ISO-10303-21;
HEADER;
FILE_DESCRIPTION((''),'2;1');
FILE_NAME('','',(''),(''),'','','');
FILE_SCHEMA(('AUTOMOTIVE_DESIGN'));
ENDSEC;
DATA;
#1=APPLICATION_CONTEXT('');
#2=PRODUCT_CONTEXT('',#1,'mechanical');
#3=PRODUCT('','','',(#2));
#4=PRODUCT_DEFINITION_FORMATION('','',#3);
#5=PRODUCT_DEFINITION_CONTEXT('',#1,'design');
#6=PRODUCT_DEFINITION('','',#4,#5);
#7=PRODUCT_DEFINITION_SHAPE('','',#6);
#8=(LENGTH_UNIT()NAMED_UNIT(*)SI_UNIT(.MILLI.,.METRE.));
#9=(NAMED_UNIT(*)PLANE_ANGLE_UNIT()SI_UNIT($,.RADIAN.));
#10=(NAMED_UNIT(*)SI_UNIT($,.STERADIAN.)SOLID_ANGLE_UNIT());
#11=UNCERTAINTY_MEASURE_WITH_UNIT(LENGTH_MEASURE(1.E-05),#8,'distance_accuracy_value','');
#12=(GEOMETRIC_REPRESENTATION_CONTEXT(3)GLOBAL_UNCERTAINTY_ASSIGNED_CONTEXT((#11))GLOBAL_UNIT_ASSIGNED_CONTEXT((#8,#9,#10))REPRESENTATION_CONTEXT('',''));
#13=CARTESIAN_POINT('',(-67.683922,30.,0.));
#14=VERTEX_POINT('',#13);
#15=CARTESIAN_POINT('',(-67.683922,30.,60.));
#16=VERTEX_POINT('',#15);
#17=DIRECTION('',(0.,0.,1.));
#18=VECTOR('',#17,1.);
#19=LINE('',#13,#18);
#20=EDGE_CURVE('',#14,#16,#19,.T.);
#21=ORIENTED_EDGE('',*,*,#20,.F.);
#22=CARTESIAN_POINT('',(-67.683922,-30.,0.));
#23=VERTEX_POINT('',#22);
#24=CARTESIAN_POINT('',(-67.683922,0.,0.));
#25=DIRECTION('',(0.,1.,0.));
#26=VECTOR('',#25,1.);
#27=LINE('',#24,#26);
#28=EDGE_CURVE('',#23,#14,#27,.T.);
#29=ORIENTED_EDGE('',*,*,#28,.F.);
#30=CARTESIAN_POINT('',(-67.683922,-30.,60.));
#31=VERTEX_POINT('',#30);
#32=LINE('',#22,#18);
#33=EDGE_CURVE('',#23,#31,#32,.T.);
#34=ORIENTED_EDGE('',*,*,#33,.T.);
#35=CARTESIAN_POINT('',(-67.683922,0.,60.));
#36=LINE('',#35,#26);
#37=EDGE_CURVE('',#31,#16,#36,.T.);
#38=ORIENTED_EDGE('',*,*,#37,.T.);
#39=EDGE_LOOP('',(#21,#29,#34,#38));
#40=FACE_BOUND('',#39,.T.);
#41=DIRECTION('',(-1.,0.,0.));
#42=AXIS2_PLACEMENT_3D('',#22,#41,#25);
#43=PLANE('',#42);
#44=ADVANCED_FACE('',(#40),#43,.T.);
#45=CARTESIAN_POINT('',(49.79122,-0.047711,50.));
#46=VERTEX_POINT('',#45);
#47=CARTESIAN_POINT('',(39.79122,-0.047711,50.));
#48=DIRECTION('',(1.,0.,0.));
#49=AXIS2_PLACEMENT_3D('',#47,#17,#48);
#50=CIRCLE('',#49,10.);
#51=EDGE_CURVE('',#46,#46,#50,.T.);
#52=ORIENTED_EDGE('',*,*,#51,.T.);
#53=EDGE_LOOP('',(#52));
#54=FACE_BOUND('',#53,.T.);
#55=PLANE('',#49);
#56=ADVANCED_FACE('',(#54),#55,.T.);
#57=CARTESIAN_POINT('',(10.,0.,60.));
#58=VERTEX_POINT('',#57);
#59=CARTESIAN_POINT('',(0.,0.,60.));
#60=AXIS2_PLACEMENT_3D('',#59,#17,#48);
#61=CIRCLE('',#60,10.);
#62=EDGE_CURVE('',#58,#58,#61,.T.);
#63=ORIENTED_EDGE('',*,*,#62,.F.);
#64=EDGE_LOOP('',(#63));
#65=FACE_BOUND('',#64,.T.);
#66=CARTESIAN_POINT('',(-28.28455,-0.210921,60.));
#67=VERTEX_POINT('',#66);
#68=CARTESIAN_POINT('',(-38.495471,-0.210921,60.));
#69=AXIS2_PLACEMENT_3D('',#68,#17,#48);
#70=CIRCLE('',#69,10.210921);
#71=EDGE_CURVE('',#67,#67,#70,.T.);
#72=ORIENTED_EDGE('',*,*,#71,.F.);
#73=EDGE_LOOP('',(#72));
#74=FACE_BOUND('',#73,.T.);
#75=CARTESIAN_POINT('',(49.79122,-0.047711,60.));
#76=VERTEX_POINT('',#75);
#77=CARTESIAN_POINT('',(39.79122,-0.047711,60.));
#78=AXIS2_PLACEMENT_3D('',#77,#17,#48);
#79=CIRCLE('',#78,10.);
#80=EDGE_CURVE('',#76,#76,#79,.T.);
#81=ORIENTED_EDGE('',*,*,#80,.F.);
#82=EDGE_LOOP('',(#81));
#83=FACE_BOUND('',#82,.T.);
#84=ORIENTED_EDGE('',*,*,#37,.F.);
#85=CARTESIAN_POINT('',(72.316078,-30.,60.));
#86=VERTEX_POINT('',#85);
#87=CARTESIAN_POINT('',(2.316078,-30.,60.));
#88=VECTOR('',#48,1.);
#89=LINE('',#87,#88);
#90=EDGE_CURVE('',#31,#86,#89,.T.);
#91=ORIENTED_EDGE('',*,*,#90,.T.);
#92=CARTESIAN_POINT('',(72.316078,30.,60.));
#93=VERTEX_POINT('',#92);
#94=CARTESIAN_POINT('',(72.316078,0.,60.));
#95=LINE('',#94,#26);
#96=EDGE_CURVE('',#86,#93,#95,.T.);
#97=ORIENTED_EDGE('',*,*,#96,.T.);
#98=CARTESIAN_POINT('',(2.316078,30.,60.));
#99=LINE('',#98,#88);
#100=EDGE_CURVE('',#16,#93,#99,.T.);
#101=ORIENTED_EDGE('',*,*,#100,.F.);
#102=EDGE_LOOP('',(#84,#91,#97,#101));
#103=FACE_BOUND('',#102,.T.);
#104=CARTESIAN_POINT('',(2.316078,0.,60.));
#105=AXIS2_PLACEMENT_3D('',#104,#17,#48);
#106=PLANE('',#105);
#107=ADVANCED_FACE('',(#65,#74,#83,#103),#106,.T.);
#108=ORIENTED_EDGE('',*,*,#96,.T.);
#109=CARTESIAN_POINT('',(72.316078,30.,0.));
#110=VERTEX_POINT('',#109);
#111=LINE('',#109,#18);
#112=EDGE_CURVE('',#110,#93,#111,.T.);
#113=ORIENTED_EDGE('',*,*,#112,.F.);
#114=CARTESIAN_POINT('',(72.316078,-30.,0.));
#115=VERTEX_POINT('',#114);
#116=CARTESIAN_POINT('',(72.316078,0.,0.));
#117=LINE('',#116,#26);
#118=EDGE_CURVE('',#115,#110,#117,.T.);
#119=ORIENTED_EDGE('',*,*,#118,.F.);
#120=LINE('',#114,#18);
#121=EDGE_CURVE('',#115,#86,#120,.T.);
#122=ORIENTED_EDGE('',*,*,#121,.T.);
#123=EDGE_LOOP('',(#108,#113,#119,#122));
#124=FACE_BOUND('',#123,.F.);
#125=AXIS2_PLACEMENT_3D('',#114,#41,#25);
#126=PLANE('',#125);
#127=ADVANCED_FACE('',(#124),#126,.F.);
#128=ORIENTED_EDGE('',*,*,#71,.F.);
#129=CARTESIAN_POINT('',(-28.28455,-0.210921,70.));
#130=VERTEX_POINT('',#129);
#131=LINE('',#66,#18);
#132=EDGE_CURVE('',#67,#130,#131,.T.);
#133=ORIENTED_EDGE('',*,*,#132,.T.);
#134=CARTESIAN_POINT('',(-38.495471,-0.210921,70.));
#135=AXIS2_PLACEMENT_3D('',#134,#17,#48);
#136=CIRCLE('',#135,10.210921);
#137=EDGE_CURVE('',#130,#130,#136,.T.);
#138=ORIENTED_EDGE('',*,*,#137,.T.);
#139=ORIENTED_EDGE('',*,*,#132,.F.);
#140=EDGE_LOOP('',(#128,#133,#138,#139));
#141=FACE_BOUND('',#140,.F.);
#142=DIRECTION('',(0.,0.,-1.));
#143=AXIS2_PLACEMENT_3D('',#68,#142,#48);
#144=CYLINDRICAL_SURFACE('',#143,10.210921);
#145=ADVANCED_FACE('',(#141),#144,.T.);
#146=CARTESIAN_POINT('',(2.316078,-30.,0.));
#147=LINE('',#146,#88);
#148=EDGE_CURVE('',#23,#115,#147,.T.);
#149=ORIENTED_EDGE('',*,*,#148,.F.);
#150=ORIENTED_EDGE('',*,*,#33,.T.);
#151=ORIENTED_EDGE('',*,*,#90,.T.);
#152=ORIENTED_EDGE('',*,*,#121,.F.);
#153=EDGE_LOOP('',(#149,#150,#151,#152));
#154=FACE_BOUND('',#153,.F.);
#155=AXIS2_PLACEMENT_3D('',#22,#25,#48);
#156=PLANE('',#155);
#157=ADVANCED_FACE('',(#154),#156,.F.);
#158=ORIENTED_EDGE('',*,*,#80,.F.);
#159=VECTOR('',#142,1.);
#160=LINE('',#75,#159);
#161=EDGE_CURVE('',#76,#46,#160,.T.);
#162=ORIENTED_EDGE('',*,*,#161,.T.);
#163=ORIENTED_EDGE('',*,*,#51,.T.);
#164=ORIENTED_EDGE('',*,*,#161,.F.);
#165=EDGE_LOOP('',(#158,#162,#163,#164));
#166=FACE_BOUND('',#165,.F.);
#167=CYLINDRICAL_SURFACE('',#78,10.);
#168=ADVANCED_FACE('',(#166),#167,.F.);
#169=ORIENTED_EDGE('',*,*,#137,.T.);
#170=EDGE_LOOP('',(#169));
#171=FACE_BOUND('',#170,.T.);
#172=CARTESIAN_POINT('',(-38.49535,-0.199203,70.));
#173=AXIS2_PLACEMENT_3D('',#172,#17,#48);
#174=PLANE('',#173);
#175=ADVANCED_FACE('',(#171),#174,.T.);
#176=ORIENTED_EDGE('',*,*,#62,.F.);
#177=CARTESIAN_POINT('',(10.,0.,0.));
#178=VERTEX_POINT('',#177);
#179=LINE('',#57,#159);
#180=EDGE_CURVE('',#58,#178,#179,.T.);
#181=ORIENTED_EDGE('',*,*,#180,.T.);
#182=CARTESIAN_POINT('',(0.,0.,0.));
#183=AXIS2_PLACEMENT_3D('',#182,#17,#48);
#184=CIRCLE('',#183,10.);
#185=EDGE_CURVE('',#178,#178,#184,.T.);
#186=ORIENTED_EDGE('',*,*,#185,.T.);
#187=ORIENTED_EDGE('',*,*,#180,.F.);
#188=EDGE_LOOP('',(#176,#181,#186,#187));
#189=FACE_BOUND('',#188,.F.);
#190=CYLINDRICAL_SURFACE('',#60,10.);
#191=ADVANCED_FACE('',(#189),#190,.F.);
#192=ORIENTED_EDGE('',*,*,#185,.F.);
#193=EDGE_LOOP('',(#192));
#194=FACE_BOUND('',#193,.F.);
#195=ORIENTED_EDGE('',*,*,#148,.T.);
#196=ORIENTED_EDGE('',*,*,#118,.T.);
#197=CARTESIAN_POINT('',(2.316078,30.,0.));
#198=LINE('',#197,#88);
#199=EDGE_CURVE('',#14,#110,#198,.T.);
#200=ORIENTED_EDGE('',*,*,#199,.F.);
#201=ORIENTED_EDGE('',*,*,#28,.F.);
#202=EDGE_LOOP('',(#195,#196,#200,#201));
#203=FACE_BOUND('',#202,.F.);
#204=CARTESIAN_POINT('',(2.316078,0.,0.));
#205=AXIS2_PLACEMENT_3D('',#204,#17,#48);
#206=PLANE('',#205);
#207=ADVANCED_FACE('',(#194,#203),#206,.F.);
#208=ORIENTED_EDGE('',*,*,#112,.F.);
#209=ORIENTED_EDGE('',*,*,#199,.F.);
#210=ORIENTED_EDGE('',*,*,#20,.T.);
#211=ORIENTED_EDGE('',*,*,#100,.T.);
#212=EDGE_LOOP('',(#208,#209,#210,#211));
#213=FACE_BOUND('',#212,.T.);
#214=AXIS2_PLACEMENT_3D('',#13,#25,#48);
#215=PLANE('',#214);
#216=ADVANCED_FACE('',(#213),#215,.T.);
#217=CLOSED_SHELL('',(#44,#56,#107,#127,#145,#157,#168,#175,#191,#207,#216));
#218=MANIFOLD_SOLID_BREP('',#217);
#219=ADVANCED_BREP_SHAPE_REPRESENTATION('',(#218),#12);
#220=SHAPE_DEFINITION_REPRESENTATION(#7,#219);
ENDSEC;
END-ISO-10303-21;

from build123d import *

# Parameters (mm, degrees)
F0_W     = 140
F0_H     = 60
F1_DEPTH = 60
F3_R     = 10.210921
F6_DEPTH = 10
F4_R     = 10
F7_DEPTH = 110.6
F5_R     = 10
F8_DEPTH = 10


with BuildPart() as f1:
    # F0 (on Top) → F1 (new body)
    with BuildSketch(Plane.XY):
        with Locations((2.316078, 0)):
            Rectangle(F0_W, F0_H)
    extrude(amount=F1_DEPTH)

    # F3 (on face) → F6 (join)
    with BuildSketch(Plane.XY.offset(60)):
        with BuildLine():
            ThreePointArc((-48.704213, 0), (-38.600937, -10.421296), (-28.284551, -0.210921))
            ThreePointArc((-28.284551, -0.210921), (-38.390005, 9.999455), (-48.704213, 0))
        make_face()
        with Locations((-38.495471, -0.210921)):
            Circle(F3_R)
    extrude(amount=F6_DEPTH)

    # F4 (on face) → F7 (cut)
    with BuildSketch(Plane.XY.offset(60)):
        Circle(F4_R)
    extrude(amount=-F7_DEPTH, mode=Mode.SUBTRACT)

    # F5 (on face) → F8 (cut)
    with BuildSketch(Plane.XY.offset(60)):
        with Locations((39.79122, -0.047711)):
            Circle(F5_R)
    extrude(amount=-F8_DEPTH, mode=Mode.SUBTRACT)


solid = f1.part
